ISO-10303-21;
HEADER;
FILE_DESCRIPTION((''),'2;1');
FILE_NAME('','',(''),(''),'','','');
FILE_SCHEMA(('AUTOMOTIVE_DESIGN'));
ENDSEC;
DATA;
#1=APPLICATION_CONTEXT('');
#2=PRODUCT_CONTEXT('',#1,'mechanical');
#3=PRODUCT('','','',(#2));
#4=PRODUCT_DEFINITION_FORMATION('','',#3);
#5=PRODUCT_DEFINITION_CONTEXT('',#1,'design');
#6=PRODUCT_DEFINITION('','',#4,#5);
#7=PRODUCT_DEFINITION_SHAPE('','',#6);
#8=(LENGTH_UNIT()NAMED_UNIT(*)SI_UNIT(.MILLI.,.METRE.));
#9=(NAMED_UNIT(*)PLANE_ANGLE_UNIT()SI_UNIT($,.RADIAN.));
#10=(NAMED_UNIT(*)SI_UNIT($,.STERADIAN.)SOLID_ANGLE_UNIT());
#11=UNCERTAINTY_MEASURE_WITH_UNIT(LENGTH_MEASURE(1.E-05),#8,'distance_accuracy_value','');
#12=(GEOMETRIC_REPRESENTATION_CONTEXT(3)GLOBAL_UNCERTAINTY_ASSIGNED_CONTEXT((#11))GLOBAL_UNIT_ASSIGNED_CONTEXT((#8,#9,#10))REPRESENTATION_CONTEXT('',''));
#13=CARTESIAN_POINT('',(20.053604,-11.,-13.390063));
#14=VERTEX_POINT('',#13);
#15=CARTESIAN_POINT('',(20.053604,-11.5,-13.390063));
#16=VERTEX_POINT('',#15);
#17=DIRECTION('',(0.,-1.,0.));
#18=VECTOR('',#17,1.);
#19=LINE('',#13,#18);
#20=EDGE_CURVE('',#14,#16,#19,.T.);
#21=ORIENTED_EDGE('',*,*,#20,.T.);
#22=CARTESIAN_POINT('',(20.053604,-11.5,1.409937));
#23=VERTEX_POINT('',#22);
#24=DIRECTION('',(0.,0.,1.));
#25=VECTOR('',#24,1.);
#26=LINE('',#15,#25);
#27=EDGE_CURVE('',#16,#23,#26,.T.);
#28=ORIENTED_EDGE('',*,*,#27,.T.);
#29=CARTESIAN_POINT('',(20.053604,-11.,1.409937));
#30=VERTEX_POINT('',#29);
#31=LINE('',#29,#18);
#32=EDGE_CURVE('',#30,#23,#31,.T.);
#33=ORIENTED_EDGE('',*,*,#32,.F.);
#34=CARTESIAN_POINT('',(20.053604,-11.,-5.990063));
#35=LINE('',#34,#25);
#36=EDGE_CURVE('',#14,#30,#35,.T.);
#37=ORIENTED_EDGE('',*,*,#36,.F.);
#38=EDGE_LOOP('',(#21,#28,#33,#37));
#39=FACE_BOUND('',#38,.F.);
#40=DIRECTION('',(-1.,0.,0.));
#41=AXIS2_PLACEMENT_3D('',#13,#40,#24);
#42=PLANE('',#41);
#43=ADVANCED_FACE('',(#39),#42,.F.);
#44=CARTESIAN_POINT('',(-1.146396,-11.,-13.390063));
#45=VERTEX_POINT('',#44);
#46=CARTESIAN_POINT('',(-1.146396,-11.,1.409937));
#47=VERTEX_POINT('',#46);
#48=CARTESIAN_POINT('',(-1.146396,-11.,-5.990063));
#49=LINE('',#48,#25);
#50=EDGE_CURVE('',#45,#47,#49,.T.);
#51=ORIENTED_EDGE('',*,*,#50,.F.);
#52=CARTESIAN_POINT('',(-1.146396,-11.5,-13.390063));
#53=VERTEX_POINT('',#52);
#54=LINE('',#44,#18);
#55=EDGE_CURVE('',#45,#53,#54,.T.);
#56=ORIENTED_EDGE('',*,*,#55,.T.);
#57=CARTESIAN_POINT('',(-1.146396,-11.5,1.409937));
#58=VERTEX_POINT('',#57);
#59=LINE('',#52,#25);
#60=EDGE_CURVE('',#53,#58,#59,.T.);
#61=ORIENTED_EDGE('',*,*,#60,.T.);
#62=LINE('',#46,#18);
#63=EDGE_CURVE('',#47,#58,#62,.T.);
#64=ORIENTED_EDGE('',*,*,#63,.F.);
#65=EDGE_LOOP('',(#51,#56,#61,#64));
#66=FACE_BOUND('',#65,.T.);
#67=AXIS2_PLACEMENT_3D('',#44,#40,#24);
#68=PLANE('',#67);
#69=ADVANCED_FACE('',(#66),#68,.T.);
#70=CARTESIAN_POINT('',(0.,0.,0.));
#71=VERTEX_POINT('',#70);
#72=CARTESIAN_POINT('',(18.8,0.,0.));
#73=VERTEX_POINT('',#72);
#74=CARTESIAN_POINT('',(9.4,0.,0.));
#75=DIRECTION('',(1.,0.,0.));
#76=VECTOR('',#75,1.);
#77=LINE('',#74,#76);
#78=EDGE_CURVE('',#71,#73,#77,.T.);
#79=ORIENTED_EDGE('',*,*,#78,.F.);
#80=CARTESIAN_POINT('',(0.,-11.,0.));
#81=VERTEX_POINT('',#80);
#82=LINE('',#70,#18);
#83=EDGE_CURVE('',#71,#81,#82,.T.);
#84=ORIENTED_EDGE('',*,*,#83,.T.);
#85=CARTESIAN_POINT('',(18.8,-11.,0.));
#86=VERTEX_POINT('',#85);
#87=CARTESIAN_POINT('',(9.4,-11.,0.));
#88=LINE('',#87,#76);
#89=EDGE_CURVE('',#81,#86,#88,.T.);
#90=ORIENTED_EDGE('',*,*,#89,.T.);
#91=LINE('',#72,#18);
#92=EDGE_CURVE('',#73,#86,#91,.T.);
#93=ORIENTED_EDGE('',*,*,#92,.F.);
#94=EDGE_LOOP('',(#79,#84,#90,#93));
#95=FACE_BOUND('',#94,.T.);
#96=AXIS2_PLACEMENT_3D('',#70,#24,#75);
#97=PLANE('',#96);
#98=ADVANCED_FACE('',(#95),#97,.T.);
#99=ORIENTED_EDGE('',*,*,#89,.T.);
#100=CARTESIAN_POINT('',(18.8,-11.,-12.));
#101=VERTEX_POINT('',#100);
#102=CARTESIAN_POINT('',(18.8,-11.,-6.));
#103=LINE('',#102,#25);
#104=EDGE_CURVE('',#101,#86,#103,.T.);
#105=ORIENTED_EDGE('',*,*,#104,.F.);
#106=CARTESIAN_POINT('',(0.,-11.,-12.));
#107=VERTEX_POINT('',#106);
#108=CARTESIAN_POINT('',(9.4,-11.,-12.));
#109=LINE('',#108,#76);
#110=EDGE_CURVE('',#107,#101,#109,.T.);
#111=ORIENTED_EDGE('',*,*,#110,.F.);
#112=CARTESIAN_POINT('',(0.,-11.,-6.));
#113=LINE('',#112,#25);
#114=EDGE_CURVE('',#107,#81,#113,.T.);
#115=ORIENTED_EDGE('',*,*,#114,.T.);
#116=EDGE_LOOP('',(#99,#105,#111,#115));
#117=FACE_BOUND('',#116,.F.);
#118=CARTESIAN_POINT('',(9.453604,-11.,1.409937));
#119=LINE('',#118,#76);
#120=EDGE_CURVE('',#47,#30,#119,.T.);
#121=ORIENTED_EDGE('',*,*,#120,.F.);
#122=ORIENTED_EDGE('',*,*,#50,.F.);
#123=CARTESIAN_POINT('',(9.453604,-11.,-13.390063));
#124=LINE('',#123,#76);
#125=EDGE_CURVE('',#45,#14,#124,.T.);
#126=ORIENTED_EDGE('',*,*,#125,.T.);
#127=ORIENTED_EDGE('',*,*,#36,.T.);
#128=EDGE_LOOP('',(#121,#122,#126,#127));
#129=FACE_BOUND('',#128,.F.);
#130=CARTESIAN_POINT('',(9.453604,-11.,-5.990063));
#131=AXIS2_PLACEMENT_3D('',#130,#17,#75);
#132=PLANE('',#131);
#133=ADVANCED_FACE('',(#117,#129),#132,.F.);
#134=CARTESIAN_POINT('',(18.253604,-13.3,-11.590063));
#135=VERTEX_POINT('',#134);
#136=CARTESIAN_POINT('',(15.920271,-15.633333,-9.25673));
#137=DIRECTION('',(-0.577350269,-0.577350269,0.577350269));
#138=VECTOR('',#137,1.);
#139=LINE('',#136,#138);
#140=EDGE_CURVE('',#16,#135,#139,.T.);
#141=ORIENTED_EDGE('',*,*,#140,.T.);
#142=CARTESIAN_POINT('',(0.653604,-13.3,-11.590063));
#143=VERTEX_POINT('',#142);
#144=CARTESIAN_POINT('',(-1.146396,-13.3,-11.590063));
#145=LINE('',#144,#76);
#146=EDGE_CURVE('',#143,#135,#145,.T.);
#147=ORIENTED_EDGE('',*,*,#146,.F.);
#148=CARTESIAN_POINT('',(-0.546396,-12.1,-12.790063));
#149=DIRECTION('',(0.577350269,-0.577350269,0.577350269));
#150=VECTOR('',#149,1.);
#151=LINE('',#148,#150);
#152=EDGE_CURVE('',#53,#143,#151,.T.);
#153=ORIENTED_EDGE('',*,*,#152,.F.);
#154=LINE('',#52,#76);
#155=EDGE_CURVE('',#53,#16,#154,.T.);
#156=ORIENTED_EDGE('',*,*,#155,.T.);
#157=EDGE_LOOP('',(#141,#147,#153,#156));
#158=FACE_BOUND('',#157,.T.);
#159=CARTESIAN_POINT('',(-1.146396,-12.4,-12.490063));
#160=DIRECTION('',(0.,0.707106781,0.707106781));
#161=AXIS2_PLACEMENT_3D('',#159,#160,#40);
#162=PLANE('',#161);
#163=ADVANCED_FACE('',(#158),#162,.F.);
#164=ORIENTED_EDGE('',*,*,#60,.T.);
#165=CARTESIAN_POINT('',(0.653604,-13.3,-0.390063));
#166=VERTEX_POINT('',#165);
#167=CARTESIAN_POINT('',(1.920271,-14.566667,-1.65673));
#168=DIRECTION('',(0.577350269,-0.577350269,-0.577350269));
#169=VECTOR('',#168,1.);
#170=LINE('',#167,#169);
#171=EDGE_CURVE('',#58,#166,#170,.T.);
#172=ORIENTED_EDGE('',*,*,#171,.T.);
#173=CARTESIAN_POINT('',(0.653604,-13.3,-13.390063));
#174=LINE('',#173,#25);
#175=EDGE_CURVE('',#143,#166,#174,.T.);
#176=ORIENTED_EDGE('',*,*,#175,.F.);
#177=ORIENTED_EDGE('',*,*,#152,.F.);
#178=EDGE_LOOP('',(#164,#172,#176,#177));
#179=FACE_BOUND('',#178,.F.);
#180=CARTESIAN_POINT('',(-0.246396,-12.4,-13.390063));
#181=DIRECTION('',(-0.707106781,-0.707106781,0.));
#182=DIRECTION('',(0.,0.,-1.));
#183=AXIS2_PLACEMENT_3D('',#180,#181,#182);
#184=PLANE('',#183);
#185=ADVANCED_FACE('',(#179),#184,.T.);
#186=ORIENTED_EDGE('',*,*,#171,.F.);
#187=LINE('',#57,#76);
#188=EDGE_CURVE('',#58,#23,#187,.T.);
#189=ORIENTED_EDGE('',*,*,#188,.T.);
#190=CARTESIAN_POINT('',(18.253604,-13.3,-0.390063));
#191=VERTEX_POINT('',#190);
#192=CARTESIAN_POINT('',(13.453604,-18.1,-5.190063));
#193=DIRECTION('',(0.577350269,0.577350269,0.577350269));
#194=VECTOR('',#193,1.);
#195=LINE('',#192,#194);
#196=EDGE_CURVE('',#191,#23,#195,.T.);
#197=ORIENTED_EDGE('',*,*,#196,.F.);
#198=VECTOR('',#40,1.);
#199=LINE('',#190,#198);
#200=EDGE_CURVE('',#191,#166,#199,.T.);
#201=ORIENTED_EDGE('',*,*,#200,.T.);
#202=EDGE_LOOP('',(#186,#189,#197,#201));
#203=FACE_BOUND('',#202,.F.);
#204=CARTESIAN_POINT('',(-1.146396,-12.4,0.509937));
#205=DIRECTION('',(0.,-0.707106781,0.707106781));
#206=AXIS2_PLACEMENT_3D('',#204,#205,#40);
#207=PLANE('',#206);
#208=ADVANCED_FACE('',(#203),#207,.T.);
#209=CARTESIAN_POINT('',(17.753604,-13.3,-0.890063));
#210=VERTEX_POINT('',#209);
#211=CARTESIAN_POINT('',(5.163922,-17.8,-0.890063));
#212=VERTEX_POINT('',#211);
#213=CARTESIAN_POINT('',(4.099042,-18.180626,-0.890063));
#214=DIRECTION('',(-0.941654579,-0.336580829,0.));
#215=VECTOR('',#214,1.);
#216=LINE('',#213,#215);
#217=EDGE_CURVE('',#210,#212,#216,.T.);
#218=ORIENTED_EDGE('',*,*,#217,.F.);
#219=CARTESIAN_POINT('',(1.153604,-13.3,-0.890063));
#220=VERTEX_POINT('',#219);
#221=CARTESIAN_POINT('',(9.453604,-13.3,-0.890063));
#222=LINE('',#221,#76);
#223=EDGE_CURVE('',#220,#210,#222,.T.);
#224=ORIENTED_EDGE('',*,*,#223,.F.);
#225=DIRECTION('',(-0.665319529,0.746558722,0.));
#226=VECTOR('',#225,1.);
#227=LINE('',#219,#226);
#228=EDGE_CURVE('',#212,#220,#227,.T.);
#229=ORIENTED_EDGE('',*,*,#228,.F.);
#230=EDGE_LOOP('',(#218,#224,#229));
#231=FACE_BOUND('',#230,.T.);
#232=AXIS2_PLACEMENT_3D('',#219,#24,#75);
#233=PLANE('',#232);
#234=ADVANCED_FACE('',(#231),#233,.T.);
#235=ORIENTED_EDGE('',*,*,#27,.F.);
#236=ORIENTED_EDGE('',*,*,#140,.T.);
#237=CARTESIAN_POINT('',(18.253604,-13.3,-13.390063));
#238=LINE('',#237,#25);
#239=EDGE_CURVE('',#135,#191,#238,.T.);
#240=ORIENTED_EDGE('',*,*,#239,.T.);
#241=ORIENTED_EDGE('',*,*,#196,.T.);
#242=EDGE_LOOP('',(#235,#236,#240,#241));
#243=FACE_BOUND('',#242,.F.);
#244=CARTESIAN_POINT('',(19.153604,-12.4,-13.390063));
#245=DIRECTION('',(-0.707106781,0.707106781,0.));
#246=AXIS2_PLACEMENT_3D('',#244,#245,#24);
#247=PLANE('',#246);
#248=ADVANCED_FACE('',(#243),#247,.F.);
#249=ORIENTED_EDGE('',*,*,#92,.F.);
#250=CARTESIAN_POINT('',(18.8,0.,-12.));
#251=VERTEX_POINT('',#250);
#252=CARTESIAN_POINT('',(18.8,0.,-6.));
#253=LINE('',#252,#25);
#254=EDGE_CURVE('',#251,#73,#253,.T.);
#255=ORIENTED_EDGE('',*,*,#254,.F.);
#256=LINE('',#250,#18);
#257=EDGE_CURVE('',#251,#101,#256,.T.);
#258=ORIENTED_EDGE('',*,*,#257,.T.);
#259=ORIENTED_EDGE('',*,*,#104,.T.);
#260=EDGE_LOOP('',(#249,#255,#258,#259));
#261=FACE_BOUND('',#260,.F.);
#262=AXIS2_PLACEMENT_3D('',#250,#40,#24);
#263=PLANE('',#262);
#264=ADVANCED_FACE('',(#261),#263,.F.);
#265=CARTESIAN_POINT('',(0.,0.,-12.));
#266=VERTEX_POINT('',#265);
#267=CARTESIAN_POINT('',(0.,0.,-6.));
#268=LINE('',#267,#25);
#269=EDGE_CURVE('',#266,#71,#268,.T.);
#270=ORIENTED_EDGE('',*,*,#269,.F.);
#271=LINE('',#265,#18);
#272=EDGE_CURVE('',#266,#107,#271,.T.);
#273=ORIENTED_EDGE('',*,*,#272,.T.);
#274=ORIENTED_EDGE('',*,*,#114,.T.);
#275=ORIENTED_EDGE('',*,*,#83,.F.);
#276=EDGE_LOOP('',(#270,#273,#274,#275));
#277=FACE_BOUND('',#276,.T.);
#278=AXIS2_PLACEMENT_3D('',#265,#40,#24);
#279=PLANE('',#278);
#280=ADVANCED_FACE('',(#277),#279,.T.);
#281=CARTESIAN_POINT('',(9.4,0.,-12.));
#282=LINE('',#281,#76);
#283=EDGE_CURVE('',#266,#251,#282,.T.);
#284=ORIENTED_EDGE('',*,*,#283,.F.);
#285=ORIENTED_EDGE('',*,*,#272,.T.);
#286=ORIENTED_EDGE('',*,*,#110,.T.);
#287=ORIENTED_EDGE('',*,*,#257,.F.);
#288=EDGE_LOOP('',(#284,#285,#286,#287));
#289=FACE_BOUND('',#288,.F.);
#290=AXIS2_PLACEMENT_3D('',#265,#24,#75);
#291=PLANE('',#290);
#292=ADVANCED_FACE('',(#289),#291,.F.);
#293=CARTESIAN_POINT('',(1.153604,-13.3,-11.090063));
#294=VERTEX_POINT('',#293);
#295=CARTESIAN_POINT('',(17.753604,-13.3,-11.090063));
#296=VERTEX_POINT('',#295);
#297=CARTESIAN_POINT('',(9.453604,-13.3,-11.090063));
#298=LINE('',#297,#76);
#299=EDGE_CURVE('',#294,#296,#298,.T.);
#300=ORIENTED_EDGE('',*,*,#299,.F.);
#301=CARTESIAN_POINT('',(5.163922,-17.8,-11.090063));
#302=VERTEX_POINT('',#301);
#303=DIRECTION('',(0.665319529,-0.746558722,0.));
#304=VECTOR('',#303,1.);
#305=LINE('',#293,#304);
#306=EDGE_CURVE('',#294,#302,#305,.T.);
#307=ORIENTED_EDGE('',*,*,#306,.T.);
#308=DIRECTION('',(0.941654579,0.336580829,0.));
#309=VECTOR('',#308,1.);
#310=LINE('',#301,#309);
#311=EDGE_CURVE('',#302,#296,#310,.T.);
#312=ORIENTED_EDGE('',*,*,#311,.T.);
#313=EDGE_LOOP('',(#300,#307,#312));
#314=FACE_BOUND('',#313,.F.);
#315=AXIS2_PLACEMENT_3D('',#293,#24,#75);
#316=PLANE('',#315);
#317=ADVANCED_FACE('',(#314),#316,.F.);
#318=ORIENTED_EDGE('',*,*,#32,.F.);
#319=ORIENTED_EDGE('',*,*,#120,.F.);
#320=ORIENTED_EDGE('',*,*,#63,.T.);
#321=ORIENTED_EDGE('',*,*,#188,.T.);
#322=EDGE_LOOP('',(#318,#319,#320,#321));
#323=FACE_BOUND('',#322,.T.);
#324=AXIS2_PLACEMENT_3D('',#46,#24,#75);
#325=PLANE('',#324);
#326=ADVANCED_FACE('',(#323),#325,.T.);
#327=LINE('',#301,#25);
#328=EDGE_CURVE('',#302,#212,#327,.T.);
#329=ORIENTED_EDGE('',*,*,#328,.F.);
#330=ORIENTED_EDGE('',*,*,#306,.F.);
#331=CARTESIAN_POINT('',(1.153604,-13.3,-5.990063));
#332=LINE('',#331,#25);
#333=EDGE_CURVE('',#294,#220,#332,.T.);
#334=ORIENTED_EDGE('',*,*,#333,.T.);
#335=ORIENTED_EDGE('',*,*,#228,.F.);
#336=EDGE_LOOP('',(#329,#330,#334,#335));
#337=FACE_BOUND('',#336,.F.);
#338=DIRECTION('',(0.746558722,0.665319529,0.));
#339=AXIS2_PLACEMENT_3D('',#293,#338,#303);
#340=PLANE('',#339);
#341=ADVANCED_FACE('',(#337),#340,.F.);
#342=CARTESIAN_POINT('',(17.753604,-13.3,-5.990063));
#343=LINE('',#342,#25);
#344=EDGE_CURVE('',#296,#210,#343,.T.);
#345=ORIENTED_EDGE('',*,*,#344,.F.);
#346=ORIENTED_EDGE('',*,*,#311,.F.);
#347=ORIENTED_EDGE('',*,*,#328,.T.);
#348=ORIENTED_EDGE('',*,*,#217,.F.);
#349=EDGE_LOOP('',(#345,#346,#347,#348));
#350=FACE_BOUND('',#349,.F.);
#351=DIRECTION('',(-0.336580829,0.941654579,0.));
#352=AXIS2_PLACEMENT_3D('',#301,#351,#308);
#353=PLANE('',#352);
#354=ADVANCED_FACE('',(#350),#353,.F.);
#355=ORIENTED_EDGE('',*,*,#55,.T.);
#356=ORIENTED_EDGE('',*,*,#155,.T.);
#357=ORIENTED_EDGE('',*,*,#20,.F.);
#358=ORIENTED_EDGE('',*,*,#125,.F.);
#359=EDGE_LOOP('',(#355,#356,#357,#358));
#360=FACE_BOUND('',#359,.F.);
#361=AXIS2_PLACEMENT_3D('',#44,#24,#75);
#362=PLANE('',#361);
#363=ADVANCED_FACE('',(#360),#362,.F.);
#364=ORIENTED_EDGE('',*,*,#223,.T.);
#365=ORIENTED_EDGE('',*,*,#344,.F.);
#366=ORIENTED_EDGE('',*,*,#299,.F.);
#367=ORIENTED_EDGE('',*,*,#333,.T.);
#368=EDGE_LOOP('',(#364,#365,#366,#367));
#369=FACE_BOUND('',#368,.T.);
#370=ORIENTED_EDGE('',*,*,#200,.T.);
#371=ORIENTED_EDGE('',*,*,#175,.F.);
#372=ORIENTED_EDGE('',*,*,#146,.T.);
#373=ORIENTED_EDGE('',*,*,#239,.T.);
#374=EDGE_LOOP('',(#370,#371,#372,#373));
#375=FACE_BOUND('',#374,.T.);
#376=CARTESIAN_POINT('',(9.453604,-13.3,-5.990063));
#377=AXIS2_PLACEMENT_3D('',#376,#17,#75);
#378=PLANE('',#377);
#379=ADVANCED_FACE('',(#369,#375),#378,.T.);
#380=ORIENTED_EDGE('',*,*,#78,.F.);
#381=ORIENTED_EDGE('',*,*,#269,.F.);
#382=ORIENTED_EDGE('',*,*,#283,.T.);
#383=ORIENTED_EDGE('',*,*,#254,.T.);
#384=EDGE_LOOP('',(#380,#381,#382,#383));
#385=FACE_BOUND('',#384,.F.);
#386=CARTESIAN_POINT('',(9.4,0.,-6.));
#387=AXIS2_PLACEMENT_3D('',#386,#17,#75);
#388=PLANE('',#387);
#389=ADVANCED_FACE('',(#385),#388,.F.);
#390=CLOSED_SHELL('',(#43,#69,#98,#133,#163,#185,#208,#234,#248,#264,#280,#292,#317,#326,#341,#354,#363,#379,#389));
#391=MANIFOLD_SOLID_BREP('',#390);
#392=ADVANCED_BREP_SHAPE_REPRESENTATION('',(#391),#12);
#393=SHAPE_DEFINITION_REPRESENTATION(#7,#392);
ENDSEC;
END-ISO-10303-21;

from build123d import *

# Parameters (mm, degrees)
F0_W     = 18.8
F0_H     = 12
F1_DEPTH = 11
F2_W     = 21.2
F2_H     = 14.8
F3_DEPTH = 2.3
F4_SIZE  = 1.8
F5_W     = 16.6
F5_H     = 10.2
F6_DEPTH = 4.5
F8_DEPTH = 25


with BuildPart() as f1:
    # F0 (on Front) → F1 (new body)
    with BuildSketch(Plane.XZ):
        with Locations((9.4, -6)):
            Rectangle(F0_W, F0_H)
    extrude(amount=F1_DEPTH)

    # F2 (on face) → F3 (join)
    with BuildSketch(Plane.XZ.offset(11)):
        with Locations((9.453604, -5.990063)):
            Rectangle(F2_W, F2_H)
    extrude(amount=F3_DEPTH)

    # F4
    f4_edges = [f1.edges().sort_by_distance(p)[0] for p in [
        (-1.146396, -13.3, -5.990063),
        (9.453604, -13.3, -13.390063),
        (20.053604, -13.3, -5.990063),
        (9.453604, -13.3, 1.409937),
    ]]
    chamfer(f4_edges, length=F4_SIZE)

    # F5 (on face) → F6 (join)
    with BuildSketch(Plane.XZ.offset(13.3)):
        with Locations((9.453604, -5.990063)):
            Rectangle(F5_W, F5_H)
    extrude(amount=F6_DEPTH)

    # F7 (on face) → F8 (cut)
    with BuildSketch(Plane(origin=(0, 0, -11.090063), x_dir=(1, 0, 0), z_dir=(0, 0, -1))):
        Polygon((1.153604, 17.8), (1.153604, 13.3), (5.163922, 17.8), align=None)
        Polygon((17.753604, 17.8), (5.163922, 17.8), (17.753604, 13.3), align=None)
    extrude(amount=-F8_DEPTH, mode=Mode.SUBTRACT)


solid = f1.part
